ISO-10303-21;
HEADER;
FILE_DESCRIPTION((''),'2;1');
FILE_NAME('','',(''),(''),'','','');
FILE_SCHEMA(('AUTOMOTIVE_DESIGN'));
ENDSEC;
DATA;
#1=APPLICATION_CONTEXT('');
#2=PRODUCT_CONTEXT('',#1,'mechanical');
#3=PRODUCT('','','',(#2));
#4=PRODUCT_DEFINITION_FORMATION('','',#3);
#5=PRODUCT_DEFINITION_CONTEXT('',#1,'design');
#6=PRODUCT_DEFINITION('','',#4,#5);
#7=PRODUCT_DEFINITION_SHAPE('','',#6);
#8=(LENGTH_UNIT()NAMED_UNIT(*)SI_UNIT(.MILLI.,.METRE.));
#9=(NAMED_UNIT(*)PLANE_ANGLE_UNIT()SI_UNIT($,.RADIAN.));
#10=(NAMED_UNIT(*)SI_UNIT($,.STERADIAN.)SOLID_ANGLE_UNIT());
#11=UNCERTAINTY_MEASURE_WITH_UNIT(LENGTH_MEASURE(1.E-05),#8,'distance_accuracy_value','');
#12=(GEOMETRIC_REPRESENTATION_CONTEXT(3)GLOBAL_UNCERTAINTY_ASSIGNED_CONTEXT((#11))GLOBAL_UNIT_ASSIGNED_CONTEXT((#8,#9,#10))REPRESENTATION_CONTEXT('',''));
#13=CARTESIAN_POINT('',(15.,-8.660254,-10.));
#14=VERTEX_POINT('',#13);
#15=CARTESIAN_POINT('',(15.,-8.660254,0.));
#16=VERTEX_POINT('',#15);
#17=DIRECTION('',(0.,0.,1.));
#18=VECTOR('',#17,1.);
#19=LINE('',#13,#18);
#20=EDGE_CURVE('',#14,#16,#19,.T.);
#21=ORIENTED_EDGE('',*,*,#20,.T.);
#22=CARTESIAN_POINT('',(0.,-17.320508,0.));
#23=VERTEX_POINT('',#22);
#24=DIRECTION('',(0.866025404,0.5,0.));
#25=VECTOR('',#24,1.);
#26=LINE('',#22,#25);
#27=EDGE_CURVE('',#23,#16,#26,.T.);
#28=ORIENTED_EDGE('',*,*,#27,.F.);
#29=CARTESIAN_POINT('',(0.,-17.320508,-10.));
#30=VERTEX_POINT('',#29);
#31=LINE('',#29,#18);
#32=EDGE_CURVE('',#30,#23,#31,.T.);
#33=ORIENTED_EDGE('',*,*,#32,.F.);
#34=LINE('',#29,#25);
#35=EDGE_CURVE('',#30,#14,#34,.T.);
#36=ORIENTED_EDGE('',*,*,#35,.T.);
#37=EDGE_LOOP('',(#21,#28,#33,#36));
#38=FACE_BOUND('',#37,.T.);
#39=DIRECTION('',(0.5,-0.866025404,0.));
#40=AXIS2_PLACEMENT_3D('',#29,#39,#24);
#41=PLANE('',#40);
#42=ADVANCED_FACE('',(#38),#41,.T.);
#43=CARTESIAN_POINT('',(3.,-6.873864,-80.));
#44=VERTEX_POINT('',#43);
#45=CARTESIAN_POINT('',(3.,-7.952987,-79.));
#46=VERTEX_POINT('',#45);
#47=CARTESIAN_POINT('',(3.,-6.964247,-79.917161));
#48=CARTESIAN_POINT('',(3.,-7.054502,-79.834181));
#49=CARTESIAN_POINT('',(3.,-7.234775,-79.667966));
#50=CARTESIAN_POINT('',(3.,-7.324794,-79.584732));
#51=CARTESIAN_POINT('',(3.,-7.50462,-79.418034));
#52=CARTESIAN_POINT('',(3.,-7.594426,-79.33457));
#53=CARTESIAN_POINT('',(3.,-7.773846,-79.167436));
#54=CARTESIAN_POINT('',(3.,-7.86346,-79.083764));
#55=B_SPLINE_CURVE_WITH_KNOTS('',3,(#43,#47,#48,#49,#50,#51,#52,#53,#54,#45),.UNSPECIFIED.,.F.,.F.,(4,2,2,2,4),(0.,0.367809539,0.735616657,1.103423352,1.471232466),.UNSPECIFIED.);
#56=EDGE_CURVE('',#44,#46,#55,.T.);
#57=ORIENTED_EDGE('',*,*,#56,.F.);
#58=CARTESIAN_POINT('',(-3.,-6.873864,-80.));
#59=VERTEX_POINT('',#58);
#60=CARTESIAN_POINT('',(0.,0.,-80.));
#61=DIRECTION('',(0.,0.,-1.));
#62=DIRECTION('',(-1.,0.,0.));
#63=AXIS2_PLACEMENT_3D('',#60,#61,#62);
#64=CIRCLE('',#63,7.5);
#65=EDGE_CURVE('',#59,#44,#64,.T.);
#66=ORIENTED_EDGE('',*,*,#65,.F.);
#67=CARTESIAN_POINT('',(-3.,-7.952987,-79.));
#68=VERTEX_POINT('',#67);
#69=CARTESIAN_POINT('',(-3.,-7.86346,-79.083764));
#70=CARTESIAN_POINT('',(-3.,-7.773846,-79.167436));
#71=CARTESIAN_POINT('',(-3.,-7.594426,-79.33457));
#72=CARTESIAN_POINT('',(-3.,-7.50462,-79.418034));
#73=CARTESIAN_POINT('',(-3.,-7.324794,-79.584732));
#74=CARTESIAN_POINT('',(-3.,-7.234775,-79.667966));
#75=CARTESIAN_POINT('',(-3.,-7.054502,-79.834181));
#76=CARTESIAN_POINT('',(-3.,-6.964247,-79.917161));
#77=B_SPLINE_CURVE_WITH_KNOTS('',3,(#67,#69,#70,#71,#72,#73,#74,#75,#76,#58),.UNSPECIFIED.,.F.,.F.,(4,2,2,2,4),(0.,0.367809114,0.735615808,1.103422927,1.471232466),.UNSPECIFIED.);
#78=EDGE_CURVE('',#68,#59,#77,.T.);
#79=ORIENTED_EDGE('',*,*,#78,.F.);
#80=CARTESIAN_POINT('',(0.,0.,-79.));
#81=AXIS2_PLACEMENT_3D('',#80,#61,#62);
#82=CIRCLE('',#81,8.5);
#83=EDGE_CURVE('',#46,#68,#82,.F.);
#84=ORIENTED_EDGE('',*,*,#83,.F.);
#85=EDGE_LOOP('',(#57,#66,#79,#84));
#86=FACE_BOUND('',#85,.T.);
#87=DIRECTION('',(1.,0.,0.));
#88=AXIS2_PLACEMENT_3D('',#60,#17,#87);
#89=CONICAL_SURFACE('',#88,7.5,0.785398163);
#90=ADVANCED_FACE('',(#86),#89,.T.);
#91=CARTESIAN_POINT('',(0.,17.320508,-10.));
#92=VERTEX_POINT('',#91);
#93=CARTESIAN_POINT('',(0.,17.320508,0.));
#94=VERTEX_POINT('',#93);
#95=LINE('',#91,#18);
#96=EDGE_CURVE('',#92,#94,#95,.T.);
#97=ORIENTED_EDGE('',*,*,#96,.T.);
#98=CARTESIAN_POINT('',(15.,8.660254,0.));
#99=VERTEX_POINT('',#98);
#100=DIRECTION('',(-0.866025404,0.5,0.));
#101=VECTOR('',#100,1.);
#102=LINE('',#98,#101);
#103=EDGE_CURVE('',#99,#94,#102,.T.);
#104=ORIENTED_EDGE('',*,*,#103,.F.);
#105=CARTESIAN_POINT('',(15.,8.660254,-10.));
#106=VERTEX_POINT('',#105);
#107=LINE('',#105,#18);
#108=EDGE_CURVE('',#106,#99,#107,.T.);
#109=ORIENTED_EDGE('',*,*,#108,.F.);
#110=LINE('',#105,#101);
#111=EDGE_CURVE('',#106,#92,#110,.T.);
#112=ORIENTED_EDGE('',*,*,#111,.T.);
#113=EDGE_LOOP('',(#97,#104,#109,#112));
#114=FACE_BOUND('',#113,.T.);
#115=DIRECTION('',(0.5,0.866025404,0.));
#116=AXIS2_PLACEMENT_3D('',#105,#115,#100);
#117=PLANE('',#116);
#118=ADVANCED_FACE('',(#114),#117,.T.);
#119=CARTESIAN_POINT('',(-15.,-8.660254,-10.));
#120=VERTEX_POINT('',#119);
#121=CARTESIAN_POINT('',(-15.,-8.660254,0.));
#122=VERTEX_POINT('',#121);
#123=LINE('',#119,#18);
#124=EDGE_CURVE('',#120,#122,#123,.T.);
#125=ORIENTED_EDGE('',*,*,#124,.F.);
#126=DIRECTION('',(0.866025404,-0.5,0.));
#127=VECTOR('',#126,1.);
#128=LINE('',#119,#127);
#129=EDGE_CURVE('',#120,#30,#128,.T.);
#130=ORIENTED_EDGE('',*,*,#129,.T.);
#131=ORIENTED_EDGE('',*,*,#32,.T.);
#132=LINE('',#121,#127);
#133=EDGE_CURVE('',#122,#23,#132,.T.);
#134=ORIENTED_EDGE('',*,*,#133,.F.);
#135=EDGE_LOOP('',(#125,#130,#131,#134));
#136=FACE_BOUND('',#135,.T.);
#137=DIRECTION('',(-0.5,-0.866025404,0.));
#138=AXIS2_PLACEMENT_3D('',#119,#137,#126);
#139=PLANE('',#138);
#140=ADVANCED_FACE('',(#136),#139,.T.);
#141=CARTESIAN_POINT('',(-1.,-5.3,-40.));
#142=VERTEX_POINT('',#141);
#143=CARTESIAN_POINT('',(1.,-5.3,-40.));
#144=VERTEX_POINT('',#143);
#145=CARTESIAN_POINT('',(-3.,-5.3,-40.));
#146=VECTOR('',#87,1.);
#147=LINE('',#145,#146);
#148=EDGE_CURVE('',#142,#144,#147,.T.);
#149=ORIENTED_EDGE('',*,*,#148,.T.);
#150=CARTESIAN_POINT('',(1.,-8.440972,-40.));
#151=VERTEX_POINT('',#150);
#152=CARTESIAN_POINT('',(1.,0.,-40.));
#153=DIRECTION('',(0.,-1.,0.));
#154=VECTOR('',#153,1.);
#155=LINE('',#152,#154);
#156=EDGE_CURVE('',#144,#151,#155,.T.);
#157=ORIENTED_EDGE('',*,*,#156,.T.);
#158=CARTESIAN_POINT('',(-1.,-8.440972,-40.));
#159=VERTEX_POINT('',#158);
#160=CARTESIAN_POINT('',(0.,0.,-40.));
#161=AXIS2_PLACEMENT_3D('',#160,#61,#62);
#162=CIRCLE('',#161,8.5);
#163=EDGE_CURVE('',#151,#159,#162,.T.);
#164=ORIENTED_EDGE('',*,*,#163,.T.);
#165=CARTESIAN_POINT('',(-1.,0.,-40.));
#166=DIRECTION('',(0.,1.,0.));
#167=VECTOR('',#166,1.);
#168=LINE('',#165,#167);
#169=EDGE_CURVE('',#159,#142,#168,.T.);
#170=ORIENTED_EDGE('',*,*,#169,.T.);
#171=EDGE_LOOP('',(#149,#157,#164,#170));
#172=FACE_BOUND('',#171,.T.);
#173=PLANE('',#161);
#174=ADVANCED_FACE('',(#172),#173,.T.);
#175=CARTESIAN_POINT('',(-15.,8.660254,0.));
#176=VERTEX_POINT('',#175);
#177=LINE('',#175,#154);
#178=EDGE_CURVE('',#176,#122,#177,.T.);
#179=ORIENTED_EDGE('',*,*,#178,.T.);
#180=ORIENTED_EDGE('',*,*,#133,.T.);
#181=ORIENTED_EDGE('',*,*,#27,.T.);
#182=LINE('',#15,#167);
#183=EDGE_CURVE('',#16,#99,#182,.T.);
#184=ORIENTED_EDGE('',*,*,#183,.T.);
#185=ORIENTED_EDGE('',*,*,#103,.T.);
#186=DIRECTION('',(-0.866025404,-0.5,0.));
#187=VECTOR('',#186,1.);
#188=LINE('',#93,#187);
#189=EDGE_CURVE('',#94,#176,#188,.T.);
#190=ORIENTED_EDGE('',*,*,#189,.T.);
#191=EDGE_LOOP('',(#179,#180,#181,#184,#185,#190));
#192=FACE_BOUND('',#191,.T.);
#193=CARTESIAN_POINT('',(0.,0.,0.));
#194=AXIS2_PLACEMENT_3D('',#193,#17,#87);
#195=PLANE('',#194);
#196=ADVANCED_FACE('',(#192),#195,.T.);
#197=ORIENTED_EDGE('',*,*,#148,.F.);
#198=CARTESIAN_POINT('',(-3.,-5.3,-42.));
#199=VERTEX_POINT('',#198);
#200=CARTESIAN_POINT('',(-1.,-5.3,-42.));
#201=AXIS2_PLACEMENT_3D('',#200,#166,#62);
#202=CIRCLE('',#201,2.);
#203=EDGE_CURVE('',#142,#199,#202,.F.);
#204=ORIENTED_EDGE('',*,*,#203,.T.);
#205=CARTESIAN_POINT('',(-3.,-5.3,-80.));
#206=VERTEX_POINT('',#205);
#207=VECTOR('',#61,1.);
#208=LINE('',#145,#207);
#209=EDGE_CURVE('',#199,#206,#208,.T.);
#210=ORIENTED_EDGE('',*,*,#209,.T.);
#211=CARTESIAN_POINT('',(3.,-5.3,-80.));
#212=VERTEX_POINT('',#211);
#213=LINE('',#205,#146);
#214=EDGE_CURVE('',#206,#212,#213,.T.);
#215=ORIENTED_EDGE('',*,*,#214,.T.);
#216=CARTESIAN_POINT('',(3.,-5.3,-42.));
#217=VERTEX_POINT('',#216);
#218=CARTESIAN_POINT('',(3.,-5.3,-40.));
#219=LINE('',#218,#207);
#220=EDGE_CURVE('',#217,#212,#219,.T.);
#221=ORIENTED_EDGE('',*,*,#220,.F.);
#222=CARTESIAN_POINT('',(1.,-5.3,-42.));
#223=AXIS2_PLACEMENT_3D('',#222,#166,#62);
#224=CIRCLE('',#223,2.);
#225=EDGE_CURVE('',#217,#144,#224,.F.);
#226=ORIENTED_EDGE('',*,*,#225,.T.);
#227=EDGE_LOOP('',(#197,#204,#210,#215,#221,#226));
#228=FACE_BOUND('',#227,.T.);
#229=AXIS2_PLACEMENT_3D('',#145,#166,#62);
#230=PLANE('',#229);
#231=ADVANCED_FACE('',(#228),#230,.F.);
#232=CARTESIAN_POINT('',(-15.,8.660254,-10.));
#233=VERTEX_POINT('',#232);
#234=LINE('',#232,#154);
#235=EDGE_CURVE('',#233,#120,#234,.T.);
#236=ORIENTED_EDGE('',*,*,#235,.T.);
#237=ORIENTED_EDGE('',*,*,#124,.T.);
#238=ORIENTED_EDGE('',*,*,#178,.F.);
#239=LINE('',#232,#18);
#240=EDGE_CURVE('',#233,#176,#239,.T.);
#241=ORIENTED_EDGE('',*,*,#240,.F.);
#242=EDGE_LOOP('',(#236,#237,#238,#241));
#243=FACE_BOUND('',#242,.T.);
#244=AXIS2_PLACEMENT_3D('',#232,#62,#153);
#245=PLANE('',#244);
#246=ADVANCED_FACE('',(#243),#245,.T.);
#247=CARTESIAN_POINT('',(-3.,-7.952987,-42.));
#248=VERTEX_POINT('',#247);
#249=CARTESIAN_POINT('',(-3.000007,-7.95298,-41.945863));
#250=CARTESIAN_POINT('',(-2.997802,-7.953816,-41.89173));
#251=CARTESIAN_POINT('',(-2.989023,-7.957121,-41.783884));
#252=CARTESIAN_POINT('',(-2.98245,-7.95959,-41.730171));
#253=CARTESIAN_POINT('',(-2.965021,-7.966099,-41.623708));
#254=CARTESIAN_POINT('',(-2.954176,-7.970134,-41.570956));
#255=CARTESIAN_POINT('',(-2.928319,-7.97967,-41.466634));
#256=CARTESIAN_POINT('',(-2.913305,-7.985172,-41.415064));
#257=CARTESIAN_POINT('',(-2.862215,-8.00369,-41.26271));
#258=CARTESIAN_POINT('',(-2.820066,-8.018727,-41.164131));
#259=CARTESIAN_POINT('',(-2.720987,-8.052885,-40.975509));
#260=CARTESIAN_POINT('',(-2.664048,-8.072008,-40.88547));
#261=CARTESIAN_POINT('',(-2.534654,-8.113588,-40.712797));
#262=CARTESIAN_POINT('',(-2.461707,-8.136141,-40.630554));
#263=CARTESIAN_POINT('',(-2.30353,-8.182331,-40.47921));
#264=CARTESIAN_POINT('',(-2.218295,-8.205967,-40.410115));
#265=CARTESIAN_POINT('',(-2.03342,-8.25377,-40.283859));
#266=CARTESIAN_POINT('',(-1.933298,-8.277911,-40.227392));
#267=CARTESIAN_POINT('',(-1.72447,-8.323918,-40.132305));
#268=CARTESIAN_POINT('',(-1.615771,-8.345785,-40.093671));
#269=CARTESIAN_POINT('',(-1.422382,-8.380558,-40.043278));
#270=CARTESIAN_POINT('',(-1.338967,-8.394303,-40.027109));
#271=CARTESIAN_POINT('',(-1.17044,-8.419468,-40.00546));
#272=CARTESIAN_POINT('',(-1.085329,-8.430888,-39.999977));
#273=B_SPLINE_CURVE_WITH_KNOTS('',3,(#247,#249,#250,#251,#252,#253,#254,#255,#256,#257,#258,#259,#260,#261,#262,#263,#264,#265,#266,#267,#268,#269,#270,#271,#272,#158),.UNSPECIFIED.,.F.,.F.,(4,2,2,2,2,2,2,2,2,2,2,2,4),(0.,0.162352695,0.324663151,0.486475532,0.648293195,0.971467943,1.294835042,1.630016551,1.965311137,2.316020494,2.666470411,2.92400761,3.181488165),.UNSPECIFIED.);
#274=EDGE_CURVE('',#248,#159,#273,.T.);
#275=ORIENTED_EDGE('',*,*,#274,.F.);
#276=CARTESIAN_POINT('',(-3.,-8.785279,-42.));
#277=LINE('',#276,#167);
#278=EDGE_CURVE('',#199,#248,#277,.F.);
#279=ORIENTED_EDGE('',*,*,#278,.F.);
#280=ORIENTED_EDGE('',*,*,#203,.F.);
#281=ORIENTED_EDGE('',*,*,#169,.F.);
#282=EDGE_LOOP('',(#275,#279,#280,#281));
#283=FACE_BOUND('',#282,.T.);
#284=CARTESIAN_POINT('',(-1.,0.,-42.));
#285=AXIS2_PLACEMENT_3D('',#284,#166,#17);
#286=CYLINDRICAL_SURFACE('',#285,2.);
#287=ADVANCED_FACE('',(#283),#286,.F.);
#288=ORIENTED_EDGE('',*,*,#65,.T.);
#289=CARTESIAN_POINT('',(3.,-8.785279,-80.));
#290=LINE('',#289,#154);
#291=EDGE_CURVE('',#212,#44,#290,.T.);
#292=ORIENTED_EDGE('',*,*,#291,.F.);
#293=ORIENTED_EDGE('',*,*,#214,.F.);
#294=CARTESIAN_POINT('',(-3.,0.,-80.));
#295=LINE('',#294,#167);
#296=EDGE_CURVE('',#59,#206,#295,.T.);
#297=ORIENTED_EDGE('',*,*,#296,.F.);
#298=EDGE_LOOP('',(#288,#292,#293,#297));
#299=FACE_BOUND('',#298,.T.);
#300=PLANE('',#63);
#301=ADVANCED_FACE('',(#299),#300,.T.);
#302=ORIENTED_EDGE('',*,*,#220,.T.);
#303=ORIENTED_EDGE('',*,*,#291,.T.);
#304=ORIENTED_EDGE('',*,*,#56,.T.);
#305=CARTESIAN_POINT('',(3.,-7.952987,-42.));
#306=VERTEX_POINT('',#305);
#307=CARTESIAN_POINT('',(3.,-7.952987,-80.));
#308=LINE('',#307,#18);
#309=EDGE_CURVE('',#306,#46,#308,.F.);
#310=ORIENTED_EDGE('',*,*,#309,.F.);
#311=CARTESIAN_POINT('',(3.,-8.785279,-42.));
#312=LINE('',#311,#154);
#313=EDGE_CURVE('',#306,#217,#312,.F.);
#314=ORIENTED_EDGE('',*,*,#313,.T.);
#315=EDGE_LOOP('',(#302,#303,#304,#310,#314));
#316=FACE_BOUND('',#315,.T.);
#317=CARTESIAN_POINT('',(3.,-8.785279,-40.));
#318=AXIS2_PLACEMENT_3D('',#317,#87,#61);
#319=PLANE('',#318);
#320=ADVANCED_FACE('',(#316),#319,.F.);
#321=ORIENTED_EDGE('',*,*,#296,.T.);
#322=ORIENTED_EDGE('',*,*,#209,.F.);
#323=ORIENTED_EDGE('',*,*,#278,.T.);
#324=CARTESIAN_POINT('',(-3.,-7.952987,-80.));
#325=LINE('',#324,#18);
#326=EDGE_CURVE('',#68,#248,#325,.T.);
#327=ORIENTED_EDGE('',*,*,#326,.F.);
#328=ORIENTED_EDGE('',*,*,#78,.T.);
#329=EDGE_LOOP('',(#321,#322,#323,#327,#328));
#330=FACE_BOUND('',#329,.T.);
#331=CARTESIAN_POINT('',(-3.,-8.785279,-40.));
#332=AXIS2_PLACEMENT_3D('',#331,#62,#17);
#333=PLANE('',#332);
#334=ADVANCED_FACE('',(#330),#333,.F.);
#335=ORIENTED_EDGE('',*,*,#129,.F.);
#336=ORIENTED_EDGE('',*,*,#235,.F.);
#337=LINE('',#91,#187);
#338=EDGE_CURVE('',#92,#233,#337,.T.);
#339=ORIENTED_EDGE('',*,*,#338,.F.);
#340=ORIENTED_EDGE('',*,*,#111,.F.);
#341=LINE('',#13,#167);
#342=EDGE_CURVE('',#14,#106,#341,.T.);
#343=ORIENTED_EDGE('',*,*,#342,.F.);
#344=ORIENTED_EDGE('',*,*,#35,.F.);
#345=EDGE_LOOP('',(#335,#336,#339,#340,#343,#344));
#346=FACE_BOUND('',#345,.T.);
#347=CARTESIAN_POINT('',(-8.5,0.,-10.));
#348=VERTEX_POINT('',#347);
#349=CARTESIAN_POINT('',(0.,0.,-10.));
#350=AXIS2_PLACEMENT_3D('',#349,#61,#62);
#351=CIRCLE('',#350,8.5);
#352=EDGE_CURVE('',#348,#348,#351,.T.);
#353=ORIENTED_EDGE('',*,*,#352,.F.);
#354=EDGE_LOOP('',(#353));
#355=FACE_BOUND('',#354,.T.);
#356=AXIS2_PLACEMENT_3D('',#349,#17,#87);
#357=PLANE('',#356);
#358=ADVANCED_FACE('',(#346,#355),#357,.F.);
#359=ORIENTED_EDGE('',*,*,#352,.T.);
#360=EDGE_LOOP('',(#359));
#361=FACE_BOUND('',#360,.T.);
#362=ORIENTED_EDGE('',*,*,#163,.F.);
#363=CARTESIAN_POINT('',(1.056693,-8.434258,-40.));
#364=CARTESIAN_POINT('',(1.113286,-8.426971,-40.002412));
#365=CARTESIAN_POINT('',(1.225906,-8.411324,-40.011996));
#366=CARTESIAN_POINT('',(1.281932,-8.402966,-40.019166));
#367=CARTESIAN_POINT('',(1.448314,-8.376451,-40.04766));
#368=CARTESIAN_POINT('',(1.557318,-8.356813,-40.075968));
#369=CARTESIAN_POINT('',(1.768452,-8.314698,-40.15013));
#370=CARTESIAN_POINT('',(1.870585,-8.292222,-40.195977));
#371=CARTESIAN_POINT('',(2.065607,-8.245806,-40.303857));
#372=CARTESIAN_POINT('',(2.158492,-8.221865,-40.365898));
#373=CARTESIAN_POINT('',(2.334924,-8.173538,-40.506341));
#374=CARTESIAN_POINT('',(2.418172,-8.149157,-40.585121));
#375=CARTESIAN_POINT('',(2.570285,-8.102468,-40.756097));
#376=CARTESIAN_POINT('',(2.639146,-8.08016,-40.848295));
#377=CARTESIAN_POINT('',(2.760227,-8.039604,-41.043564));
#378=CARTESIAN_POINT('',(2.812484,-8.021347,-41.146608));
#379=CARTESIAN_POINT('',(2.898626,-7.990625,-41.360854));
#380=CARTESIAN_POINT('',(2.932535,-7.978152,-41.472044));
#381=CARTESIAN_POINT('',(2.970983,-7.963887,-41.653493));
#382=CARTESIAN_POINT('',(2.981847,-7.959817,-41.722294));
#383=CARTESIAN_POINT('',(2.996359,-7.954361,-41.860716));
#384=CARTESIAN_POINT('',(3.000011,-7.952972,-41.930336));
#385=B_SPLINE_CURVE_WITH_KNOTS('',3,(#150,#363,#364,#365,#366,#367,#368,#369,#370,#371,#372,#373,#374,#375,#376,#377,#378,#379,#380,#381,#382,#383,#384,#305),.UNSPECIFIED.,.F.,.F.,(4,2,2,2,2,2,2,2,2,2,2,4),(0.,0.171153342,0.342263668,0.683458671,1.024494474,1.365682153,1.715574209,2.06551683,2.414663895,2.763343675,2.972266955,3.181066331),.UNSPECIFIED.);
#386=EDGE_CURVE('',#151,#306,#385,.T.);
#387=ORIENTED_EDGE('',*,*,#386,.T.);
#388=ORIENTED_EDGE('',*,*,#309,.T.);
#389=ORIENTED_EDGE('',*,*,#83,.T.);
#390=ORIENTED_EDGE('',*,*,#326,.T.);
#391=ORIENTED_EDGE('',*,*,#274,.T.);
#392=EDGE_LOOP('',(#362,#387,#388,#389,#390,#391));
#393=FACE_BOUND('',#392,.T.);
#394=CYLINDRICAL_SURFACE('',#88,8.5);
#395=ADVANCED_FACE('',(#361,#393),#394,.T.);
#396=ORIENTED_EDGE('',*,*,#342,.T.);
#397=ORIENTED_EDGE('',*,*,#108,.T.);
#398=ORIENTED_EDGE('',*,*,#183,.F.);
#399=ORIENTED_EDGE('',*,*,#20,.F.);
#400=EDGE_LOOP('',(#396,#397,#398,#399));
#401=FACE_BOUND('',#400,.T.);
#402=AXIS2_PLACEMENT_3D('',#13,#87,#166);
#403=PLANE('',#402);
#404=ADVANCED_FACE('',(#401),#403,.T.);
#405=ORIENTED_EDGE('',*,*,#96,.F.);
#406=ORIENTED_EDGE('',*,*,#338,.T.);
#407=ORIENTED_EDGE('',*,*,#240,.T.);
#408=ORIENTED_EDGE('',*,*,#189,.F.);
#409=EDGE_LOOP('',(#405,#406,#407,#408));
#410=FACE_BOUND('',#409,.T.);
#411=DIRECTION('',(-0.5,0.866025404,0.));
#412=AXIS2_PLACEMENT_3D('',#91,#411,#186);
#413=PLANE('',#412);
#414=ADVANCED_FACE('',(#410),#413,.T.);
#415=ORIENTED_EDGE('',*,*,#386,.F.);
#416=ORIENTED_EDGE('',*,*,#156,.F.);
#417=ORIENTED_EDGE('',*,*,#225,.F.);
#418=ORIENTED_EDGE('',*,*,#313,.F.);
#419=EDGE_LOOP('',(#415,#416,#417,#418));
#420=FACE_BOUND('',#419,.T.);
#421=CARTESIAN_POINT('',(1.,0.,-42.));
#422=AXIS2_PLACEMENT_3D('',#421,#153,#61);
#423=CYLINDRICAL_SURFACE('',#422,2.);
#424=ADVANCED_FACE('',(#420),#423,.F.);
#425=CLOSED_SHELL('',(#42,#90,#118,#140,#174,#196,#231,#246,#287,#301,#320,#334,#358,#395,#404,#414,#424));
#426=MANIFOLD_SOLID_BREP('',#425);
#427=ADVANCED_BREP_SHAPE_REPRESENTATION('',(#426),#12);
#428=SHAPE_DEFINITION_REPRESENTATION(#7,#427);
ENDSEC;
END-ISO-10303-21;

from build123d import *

# Parameters (mm, degrees)
RESSALTO_EXTRUS_O1_DEPTH = 10
ESBO_O2_R                = 8.5
RESSALTO_EXTRUS_O2_DEPTH = 70
ESBO_O3_W                = 6
ESBO_O3_H                = 3.485279131
CORTE_EXTRUS_O1_DEPTH    = 40
FILETE1_R                = 2
CHANFRO1_SIZE            = 1


with BuildPart() as part:
    # Esboço1 → Ressalto-extrusão1 (new body)
    with BuildSketch(Plane.XY):
        Polygon((0, 17.320508076), (-15, 8.660254038), (-15, -8.660254038), (0, -17.320508076), (15, -8.660254038), (15, 8.660254038), align=None)
    extrude(amount=-RESSALTO_EXTRUS_O1_DEPTH)

    # Esboço2 → Ressalto-extrusão2 (add)
    with BuildSketch(Plane(origin=(0, 0, -10), x_dir=(-1, 0, 0), z_dir=(0, 0, -1))):
        Circle(ESBO_O2_R)
    extrude(amount=RESSALTO_EXTRUS_O2_DEPTH)

    # Esboço3 → Corte-extrusão1 (cut)
    with BuildSketch(Plane(origin=(0, 0, -80), x_dir=(-1, 0, 0), z_dir=(0, 0, -1))):
        with Locations((0, -7.042639566)):
            Rectangle(ESBO_O3_W, ESBO_O3_H)
    extrude(amount=-CORTE_EXTRUS_O1_DEPTH, mode=Mode.SUBTRACT)

    # Filete1
    filete1_edges = [part.edges().sort_by_distance(p)[0] for p in [
        (-3, -6.62649343, -40),
        (3, -6.62649343, -40),
    ]]
    fillet(filete1_edges, radius=FILETE1_R)

    # Chanfro1
    chanfro1_edges = [part.edges().sort_by_distance(p)[0] for p in [
        (4.834769901, 6.991065727, -80),
    ]]
    chamfer(chanfro1_edges, length=CHANFRO1_SIZE)


solid = part.part
